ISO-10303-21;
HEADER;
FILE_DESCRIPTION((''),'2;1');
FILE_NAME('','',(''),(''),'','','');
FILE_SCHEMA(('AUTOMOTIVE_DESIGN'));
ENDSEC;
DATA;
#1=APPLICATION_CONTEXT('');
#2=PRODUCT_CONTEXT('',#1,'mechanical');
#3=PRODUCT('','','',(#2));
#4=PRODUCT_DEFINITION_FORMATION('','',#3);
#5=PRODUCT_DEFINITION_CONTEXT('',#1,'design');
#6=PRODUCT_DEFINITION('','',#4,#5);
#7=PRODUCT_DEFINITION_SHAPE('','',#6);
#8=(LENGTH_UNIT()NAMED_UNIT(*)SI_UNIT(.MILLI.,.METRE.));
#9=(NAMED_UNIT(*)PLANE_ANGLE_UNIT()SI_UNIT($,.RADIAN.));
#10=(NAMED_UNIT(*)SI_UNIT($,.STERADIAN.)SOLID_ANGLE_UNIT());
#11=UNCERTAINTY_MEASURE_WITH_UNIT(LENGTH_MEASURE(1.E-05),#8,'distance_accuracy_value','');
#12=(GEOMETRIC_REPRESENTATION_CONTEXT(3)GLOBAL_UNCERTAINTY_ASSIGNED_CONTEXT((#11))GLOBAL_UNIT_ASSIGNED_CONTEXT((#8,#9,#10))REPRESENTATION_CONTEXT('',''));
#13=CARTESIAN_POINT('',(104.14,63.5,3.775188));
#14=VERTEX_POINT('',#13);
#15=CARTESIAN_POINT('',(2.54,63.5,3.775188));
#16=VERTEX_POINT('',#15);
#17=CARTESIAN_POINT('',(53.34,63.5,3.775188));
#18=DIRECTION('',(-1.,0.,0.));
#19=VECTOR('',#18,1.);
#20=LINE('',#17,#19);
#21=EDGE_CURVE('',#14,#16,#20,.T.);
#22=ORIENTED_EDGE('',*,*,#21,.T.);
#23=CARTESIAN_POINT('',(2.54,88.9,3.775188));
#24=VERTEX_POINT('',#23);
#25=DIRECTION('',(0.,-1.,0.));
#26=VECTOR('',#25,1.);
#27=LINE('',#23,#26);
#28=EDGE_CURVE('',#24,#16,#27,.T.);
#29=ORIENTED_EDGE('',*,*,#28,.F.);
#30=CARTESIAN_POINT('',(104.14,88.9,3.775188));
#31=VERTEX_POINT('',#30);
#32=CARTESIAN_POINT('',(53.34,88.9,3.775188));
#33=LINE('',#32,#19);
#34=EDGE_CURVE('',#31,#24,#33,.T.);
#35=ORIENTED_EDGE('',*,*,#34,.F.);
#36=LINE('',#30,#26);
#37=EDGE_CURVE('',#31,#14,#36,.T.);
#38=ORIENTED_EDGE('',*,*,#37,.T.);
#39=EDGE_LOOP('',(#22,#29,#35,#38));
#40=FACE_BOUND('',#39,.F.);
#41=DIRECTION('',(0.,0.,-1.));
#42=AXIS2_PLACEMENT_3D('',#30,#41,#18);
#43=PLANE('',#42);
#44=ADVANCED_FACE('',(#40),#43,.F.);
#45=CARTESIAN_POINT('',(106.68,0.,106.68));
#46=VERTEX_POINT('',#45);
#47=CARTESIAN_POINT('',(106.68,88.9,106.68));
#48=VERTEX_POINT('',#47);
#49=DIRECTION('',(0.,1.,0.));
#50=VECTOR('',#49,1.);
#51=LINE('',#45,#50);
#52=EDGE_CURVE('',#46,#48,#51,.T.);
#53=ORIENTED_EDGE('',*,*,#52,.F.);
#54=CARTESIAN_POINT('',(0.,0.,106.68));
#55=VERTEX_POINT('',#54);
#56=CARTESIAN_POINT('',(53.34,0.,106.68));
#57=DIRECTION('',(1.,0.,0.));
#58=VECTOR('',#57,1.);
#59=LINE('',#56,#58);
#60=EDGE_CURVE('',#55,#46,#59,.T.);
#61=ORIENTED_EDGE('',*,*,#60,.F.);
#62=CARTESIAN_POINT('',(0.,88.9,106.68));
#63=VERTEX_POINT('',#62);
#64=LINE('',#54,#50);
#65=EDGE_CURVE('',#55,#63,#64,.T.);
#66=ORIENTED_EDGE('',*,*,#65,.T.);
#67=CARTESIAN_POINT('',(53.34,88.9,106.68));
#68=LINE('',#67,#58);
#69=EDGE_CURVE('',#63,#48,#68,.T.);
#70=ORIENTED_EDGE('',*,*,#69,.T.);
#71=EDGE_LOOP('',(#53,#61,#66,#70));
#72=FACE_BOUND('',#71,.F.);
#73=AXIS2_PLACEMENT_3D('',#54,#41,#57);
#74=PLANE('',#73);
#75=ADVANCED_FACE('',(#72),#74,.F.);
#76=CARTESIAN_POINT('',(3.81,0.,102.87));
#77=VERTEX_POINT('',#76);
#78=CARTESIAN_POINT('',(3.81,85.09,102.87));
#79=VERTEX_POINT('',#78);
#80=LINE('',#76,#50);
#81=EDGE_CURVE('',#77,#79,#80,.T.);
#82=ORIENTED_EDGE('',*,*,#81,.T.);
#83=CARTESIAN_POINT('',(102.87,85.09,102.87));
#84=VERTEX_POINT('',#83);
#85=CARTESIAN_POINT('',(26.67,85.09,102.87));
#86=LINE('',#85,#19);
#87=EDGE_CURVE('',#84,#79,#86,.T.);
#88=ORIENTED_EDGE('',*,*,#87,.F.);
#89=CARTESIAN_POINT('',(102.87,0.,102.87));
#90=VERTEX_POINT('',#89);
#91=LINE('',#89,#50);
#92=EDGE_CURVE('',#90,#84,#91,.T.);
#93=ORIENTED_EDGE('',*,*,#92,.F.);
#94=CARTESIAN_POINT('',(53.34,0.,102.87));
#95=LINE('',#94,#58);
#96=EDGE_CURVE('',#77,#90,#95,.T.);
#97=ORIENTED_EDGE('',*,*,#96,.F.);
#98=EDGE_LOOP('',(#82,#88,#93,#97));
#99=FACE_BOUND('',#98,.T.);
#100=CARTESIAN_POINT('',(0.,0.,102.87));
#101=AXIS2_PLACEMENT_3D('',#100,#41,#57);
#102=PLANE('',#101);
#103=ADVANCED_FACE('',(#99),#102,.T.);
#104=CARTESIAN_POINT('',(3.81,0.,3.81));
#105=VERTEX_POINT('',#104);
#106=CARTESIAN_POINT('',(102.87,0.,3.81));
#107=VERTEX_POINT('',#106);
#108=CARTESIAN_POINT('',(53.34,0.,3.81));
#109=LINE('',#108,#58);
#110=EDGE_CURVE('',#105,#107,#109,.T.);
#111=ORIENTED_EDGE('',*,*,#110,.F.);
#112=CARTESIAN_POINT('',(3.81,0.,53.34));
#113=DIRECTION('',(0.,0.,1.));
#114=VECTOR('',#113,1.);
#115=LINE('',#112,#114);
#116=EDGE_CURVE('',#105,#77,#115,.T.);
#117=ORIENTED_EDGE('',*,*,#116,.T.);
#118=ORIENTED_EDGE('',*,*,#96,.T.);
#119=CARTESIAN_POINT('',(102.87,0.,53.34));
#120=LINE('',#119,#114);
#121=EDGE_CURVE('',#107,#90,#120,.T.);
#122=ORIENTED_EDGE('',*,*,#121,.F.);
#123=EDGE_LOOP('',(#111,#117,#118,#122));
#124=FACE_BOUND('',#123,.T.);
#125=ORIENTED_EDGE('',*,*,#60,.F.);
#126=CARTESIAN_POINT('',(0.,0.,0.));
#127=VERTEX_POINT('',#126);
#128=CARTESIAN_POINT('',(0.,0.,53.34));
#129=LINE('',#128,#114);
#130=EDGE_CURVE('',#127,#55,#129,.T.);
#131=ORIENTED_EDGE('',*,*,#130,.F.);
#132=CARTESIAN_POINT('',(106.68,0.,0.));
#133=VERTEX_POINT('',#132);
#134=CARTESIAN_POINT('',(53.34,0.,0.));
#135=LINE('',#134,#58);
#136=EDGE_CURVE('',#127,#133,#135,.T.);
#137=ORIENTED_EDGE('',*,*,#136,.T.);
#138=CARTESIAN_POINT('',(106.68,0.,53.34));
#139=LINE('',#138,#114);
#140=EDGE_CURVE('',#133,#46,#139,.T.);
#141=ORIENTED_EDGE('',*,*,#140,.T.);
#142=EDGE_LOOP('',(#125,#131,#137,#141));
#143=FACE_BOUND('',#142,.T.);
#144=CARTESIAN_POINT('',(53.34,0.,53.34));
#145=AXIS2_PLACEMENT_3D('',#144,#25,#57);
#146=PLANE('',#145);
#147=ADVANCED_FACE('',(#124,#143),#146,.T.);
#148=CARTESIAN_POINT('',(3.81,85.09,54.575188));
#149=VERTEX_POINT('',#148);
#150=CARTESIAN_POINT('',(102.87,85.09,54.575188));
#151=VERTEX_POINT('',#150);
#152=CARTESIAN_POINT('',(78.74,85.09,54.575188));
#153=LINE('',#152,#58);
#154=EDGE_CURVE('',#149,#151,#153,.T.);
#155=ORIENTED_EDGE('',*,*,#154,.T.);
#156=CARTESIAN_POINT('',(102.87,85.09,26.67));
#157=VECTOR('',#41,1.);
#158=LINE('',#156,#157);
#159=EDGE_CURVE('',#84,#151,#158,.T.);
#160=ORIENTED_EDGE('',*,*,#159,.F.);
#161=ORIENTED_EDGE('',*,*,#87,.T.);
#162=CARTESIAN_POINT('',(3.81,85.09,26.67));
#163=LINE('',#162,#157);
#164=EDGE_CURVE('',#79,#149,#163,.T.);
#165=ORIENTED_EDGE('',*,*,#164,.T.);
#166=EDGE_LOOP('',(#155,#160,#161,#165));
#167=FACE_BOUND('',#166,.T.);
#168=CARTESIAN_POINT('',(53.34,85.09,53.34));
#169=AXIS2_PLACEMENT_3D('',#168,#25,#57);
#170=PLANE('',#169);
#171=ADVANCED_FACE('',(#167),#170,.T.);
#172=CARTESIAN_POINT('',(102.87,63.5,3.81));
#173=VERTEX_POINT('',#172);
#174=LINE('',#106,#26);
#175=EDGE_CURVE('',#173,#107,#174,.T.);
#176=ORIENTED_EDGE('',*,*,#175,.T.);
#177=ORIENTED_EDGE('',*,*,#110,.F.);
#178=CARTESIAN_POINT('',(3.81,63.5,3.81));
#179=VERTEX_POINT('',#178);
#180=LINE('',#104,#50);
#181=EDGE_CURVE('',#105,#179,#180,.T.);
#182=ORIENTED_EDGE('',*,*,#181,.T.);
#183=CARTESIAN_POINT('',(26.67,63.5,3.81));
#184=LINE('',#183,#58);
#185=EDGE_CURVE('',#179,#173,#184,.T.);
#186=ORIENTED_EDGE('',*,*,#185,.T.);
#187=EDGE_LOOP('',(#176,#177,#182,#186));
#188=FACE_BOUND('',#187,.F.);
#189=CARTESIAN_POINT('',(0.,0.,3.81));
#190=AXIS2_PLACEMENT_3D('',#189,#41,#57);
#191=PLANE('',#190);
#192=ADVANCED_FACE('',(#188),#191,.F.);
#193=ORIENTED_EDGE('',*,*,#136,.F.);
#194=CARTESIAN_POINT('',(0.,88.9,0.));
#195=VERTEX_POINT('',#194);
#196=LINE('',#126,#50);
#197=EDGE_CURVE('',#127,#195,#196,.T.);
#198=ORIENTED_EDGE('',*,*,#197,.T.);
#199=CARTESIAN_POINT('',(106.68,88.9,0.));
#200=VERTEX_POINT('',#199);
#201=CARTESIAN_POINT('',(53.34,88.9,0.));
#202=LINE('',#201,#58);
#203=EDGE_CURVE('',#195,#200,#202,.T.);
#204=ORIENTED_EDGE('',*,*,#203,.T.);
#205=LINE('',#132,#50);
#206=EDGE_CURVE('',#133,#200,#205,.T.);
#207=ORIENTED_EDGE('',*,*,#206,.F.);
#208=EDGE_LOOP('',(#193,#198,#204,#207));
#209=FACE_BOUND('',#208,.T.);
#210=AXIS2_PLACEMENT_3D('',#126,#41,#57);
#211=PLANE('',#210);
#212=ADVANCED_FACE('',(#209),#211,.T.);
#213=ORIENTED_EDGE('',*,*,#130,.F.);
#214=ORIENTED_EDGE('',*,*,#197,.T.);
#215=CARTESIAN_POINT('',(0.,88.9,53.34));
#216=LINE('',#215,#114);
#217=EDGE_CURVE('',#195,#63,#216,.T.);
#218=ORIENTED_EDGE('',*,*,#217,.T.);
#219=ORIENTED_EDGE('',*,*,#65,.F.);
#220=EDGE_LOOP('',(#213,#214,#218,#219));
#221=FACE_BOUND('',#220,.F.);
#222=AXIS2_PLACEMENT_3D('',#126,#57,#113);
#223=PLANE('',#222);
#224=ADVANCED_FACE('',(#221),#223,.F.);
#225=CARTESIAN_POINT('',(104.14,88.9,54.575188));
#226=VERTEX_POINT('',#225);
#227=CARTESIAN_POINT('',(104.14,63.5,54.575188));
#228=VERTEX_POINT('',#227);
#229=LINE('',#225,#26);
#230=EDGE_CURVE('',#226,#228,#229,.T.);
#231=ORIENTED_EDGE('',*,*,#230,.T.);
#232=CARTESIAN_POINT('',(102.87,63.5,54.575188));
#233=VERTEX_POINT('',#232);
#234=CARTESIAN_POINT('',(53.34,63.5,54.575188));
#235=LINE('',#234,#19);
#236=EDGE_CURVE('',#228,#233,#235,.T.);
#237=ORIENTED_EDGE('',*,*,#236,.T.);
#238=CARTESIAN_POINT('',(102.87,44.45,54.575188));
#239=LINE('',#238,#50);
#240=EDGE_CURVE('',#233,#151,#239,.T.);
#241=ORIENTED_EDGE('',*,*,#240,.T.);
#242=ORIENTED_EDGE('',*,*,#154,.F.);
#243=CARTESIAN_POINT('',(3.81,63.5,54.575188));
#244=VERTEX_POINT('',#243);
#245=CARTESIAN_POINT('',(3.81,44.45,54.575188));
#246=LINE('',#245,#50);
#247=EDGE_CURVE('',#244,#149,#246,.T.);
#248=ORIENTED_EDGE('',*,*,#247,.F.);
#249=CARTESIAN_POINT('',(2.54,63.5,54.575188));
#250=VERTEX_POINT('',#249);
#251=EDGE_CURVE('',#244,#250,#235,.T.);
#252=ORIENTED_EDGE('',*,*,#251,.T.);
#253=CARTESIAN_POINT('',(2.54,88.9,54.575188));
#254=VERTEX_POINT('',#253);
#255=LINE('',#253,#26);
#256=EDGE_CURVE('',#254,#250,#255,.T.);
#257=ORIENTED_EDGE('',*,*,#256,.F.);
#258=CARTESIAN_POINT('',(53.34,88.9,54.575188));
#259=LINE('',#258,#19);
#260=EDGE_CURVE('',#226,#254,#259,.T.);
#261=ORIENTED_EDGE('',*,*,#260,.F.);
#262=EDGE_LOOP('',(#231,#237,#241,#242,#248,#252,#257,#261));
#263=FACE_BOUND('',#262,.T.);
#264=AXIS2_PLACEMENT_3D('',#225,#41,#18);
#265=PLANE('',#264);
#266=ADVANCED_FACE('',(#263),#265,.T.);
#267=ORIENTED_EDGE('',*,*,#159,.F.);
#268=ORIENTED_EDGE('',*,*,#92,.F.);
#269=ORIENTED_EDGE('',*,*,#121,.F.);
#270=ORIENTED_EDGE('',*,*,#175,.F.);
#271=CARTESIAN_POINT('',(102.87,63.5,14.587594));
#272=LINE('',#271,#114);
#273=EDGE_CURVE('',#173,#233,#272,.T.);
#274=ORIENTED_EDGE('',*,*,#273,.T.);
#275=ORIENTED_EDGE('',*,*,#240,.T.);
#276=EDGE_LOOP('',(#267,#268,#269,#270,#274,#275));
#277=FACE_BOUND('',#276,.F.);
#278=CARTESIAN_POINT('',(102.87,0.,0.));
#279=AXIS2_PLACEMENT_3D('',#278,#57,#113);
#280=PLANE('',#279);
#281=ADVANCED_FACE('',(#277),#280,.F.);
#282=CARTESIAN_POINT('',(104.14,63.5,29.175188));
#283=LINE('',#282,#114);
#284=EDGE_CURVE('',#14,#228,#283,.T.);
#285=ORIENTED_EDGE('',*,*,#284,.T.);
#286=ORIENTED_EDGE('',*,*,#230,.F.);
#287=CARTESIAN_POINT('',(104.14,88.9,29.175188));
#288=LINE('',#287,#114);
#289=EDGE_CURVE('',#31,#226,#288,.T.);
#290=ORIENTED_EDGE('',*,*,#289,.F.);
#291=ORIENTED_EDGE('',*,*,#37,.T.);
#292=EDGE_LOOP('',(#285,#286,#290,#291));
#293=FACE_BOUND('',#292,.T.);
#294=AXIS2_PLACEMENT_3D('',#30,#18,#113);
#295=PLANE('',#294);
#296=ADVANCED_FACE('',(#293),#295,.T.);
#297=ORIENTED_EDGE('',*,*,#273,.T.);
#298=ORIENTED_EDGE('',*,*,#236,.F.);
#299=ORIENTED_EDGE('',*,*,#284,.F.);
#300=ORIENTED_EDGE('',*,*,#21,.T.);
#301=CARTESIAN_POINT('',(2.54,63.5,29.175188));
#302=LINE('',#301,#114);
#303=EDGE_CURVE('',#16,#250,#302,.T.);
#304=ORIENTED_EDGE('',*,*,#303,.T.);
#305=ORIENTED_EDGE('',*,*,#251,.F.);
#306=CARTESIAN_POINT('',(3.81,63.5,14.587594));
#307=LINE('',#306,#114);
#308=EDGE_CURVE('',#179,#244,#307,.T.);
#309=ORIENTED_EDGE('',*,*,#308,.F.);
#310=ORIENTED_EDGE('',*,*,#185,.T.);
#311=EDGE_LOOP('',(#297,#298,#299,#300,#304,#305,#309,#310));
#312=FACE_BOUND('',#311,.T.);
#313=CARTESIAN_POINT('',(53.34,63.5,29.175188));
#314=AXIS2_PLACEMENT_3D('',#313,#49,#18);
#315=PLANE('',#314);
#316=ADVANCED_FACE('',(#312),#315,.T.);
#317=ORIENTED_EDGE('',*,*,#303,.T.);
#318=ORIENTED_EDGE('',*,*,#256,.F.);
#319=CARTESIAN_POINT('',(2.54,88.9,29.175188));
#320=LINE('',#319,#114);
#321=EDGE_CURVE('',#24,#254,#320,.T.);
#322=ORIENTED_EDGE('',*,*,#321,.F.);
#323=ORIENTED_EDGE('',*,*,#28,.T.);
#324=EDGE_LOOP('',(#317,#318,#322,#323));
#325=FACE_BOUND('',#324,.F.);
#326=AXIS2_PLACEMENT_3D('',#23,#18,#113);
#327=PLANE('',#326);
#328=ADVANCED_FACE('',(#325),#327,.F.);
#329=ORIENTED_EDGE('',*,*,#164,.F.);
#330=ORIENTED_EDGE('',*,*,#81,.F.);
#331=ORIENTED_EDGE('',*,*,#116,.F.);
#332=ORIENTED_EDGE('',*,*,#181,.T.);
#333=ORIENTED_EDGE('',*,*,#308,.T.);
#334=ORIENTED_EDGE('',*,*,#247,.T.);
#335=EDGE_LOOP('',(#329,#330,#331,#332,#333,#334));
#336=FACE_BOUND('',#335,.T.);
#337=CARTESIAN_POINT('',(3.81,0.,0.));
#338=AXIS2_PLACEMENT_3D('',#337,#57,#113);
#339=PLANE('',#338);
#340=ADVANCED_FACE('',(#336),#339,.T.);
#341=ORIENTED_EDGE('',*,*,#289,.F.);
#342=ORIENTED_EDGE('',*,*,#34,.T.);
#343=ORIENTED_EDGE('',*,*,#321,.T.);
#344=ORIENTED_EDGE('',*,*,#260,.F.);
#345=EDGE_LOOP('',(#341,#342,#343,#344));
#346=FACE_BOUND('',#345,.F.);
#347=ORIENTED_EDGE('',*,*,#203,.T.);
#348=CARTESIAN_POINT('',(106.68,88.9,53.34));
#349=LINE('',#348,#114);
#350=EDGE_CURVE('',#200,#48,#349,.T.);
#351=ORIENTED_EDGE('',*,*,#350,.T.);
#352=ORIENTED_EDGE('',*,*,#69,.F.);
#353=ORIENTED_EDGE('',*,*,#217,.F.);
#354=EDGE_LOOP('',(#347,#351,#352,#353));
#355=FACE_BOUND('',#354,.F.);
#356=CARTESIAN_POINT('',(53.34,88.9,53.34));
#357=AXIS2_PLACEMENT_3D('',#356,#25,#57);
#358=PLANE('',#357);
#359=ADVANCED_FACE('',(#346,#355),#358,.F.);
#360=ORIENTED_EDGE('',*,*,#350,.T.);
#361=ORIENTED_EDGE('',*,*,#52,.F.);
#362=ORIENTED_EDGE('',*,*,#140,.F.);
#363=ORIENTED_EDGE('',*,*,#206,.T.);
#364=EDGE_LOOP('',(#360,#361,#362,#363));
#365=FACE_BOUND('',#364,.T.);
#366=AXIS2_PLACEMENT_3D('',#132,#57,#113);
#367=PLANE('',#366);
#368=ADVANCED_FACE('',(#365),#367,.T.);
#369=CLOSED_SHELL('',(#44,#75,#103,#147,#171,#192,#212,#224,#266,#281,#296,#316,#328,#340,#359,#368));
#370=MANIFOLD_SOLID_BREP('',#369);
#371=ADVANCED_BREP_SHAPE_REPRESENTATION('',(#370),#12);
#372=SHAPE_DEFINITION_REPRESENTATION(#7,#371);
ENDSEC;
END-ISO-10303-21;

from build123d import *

# Parameters (mm, degrees)
F0_W     = 106.68
F0_H     = 106.68
F1_DEPTH = 88.9
F2_T     = -3.81
F3_W     = 101.6
F3_H     = 50.8
F4_DEPTH = 25.4


with BuildPart() as f1:
    # F0 (on Front) → F1 (new body)
    with BuildSketch(Plane.XZ):
        with Locations((53.34, 53.34)):
            Rectangle(F0_W, F0_H)
    extrude(amount=-F1_DEPTH)

    # F2
    f2_openings = [f1.faces().sort_by_distance(p)[0] for p in [
        (53.34, 0, 53.34),
    ]]
    offset(amount=F2_T, openings=f2_openings)

    # F3 (on face) → F4 (cut)
    with BuildSketch(Plane(origin=(0, 88.9, 0), x_dir=(-1, 0, 0), z_dir=(0, 1, 0))):
        with Locations((-53.34, 29.175188)):
            Rectangle(F3_W, F3_H)
    extrude(amount=-F4_DEPTH, mode=Mode.SUBTRACT)


solid = f1.part
